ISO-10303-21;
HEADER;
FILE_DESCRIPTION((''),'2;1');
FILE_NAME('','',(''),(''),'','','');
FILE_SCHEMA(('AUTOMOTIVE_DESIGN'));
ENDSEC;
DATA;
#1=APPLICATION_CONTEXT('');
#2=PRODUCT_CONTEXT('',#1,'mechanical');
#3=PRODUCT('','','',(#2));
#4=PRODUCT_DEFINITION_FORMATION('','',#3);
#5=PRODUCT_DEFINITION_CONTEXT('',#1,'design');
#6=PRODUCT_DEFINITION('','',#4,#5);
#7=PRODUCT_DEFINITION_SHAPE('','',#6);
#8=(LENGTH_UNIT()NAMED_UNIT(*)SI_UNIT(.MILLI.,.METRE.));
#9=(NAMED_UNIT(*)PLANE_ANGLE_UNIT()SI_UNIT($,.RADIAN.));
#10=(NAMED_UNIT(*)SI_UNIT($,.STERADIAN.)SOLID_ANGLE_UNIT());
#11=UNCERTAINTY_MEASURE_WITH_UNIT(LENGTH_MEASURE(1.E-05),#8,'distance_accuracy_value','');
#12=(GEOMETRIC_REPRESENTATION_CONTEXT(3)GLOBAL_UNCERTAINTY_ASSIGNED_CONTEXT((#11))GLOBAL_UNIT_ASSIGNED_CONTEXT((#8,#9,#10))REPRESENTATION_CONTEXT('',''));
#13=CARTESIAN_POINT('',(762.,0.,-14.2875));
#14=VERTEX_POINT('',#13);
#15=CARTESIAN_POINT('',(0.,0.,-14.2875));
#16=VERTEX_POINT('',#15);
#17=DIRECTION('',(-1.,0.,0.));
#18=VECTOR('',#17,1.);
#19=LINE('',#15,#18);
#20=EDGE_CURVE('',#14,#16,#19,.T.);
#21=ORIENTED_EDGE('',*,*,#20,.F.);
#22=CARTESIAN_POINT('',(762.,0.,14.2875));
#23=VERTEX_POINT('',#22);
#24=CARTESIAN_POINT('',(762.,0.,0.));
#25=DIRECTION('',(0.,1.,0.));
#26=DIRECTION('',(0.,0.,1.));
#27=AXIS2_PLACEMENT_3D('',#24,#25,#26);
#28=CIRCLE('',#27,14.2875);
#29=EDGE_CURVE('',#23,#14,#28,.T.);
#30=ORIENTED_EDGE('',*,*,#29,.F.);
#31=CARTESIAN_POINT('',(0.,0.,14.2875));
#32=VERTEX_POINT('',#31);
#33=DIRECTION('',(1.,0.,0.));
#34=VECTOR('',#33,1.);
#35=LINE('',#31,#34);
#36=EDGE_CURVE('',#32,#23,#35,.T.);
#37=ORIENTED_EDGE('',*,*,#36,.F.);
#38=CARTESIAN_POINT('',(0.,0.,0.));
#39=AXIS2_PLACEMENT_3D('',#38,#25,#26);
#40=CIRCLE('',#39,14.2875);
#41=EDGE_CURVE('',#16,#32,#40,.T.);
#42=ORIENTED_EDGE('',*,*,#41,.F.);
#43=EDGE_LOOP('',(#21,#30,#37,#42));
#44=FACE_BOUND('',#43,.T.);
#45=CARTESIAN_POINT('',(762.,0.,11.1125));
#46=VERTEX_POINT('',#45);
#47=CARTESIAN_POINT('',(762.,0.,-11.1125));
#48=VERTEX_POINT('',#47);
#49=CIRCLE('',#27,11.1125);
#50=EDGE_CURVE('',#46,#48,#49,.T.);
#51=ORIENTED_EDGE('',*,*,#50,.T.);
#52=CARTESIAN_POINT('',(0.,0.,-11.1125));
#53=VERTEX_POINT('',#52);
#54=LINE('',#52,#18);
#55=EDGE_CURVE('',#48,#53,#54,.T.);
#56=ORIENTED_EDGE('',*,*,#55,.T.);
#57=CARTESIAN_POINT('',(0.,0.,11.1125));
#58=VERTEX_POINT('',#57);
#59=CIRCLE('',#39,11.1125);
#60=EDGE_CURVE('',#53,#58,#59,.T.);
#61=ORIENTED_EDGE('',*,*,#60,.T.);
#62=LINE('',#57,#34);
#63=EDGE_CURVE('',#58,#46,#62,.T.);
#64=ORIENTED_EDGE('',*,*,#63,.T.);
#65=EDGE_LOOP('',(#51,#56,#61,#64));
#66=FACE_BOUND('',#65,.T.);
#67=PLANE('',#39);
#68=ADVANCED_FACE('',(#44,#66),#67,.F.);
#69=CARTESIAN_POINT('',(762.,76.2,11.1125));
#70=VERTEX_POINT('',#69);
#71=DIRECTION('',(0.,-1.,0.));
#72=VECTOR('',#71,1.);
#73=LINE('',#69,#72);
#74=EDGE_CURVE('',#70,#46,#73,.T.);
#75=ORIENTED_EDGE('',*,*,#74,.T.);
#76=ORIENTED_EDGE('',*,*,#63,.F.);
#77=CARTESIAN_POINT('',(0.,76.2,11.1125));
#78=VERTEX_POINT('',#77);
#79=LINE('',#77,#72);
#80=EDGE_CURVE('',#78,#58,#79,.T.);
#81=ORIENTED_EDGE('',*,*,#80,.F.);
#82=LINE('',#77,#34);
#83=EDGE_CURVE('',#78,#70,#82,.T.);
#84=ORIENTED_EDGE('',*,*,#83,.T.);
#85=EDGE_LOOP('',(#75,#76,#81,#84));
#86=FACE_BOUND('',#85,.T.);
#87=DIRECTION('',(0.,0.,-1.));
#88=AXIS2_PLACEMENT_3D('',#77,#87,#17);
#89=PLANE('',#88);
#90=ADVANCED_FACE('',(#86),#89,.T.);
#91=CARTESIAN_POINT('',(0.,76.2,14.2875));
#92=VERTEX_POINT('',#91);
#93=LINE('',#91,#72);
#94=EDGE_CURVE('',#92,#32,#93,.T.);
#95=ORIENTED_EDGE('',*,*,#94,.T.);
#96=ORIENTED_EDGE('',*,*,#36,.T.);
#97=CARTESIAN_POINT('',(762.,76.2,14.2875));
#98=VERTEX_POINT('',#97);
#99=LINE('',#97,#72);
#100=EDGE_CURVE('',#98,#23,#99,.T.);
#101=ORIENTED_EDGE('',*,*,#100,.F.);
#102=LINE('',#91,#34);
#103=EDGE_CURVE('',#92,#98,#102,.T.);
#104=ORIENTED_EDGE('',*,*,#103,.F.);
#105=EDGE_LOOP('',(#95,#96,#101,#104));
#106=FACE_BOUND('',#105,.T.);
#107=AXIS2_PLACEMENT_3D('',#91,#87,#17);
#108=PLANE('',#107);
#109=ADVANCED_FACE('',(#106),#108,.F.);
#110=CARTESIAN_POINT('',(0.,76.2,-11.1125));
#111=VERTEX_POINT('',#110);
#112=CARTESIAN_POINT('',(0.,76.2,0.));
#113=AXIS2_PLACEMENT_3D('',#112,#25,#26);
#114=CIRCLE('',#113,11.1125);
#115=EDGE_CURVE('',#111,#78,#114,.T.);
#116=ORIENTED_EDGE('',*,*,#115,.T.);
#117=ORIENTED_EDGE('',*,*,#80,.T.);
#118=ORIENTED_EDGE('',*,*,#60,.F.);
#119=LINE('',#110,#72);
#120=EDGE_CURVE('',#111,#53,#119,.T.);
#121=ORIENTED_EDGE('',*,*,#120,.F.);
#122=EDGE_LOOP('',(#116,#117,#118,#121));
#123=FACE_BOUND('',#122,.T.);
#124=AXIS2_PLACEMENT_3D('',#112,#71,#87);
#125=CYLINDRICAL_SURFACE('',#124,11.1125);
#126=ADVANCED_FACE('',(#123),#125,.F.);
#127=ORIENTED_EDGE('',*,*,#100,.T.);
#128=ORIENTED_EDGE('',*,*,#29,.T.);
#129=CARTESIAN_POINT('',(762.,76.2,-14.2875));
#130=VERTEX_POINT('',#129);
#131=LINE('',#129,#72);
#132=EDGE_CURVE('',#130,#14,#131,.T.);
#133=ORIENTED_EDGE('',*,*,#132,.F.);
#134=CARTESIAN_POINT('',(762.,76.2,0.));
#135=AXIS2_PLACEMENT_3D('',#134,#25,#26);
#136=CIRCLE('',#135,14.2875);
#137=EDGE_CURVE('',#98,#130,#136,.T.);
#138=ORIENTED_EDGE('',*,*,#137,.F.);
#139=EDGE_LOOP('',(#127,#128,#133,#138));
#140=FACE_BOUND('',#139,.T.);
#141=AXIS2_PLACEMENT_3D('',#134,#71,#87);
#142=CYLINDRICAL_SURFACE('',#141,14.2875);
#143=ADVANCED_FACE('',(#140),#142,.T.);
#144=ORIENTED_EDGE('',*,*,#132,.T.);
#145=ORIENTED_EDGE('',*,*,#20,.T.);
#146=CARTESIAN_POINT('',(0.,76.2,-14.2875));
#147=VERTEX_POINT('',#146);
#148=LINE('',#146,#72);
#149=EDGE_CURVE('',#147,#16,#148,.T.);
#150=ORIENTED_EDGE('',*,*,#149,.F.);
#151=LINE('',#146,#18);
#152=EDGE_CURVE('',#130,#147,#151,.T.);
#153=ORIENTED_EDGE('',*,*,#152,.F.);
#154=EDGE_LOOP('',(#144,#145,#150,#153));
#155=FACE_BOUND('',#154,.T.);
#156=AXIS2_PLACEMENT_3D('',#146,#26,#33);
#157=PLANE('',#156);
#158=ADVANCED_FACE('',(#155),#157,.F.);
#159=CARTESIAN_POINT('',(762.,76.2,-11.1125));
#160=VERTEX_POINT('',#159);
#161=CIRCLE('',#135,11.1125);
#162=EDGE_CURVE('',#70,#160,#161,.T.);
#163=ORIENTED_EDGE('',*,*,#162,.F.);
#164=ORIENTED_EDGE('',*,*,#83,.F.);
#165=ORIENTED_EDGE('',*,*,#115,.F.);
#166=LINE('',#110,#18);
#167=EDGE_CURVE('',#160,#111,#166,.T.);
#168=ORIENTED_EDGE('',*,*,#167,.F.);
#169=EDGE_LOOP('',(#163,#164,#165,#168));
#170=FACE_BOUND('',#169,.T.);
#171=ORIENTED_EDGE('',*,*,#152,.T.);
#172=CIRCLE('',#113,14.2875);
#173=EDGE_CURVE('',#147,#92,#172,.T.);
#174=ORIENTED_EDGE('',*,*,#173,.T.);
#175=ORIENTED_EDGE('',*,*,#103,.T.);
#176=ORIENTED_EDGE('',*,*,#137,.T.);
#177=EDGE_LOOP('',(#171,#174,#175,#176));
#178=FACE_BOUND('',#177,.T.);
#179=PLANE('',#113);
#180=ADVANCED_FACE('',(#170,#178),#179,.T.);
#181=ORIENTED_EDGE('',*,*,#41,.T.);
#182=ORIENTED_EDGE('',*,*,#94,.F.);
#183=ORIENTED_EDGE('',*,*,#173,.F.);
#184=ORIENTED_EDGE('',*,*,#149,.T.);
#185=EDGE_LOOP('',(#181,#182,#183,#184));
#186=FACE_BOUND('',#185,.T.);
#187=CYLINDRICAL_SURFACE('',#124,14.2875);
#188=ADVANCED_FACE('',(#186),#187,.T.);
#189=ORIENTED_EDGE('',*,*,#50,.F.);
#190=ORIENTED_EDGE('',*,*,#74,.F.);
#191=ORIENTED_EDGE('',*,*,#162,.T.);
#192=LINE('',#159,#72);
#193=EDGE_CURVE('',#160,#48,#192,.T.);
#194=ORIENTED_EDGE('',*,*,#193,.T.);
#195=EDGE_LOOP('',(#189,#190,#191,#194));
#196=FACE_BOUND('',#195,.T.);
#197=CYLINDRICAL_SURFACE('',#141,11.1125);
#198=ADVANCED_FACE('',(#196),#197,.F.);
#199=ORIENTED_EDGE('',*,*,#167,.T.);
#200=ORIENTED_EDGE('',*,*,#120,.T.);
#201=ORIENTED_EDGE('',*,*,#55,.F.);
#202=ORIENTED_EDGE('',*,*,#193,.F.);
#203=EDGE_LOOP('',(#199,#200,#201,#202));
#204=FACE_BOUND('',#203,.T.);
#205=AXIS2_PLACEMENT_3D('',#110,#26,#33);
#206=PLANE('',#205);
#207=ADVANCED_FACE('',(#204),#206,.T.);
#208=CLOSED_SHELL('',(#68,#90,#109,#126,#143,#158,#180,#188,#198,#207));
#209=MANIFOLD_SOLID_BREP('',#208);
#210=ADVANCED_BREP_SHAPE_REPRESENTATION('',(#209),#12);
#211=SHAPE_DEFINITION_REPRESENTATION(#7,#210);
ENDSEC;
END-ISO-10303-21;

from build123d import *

# Parameters (mm, degrees)
BOSS_EXTRUDE1_DEPTH = 76.2


with BuildPart() as part:
    # Sketch1 → Boss-Extrude1 (new body)
    with BuildSketch(Plane(origin=(0, 0, 0), x_dir=(1, 0, 0), z_dir=(0, 1, 0))):
        with BuildLine():
            Line((0, 14.2875), (762, 14.2875))
            ThreePointArc((762, 14.2875), (776.2875, 0), (762, -14.2875))
            Line((762, -14.2875), (0, -14.2875))
            ThreePointArc((0, -14.2875), (-14.2875, 0), (0, 14.2875))
        make_face()
        with BuildLine():
            Line((0, 11.1125), (762, 11.1125))
            ThreePointArc((762, 11.1125), (773.1125, 0), (762, -11.1125))
            Line((762, -11.1125), (0, -11.1125))
            ThreePointArc((0, -11.1125), (-11.1125, 0), (0, 11.1125))
        make_face(mode=Mode.SUBTRACT)
    extrude(amount=BOSS_EXTRUDE1_DEPTH)


solid = part.part
